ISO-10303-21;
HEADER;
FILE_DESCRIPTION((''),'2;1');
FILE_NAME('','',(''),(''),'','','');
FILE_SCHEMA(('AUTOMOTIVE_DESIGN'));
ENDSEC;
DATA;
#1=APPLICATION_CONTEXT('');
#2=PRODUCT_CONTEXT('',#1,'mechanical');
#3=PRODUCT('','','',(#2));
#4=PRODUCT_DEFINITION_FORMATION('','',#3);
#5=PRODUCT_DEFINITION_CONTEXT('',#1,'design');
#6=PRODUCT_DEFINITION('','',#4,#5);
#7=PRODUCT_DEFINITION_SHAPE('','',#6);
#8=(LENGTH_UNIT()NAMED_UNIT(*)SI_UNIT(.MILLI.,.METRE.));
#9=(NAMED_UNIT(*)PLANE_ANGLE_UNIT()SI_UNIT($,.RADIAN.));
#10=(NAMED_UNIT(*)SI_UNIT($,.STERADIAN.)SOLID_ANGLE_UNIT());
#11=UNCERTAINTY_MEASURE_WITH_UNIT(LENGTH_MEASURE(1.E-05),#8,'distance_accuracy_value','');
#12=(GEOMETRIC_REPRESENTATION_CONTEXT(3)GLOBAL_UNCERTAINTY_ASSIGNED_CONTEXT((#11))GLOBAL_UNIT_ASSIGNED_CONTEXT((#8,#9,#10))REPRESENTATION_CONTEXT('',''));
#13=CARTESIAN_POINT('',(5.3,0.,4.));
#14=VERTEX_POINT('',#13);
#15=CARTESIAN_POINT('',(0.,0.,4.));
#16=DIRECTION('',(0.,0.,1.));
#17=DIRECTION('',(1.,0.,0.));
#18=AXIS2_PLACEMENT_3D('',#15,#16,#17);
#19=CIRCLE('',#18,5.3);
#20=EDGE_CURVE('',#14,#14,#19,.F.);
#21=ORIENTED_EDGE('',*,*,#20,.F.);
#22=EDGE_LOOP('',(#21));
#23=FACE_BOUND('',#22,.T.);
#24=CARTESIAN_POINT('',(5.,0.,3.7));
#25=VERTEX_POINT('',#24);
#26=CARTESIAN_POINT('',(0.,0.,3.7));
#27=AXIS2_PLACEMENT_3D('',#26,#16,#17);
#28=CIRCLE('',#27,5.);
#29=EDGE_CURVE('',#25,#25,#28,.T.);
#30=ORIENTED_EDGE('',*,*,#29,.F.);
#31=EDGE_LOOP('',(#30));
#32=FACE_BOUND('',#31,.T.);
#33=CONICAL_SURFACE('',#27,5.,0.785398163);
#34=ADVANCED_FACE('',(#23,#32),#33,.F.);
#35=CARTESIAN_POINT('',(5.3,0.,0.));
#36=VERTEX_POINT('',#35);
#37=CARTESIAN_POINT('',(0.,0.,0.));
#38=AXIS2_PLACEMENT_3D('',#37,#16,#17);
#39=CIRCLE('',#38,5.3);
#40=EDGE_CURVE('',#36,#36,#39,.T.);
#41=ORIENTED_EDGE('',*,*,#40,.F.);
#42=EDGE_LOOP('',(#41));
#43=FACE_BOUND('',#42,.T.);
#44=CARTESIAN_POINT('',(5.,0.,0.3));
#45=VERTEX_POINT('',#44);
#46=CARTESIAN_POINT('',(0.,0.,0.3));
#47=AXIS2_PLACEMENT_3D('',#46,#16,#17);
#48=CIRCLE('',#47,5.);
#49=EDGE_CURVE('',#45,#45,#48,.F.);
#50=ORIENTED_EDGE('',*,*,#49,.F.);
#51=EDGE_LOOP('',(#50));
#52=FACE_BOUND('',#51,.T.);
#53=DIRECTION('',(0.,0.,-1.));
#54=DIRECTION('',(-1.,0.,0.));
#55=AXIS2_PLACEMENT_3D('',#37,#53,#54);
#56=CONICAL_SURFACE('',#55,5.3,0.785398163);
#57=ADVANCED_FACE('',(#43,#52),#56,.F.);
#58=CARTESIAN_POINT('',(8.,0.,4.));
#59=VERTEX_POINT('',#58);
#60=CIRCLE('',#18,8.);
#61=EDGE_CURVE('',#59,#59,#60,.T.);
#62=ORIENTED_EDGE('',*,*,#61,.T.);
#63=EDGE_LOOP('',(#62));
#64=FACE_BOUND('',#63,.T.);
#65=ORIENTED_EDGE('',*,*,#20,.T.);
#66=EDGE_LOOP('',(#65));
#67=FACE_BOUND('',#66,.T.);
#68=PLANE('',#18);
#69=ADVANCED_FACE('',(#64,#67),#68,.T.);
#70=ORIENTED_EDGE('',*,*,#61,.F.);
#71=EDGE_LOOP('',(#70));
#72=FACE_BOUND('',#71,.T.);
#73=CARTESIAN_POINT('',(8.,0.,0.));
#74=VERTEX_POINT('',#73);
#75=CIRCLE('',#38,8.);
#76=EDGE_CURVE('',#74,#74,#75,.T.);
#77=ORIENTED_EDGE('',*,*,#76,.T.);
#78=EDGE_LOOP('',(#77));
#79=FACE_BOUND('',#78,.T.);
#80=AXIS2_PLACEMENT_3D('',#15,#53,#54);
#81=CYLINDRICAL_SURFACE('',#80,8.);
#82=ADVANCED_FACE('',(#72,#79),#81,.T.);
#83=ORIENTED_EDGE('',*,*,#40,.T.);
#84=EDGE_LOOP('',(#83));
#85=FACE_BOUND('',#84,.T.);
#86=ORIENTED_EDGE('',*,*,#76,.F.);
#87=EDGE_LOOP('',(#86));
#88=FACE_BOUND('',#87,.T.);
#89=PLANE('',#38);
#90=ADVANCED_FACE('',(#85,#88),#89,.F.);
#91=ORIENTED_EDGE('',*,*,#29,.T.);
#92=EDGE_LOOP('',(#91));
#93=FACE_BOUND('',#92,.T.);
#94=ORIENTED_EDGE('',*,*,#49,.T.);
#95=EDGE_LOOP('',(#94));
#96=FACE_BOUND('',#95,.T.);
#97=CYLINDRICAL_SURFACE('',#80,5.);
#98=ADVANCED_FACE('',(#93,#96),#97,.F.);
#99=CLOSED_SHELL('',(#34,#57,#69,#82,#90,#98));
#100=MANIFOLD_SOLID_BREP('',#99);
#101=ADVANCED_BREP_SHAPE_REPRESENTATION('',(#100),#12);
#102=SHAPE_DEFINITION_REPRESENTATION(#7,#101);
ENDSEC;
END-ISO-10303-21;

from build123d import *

# Parameters (mm, degrees)
SKETCH1_R           = 8
SKETCH1_R_2         = 5
BOSS_EXTRUDE1_DEPTH = 4
CHAMFER1_SIZE       = 0.3


with BuildPart() as part:
    # Sketch1 → Boss-Extrude1 (new body)
    with BuildSketch(Plane.XY):
        Circle(SKETCH1_R)
        Circle(SKETCH1_R_2, mode=Mode.SUBTRACT)
    extrude(amount=BOSS_EXTRUDE1_DEPTH)

    # Chamfer1
    chamfer1_edges = [part.edges().sort_by_distance(p)[0] for p in [
        (-5, 0, 0),
        (-5, 0, 4),
    ]]
    chamfer(chamfer1_edges, length=CHAMFER1_SIZE)


solid = part.part
